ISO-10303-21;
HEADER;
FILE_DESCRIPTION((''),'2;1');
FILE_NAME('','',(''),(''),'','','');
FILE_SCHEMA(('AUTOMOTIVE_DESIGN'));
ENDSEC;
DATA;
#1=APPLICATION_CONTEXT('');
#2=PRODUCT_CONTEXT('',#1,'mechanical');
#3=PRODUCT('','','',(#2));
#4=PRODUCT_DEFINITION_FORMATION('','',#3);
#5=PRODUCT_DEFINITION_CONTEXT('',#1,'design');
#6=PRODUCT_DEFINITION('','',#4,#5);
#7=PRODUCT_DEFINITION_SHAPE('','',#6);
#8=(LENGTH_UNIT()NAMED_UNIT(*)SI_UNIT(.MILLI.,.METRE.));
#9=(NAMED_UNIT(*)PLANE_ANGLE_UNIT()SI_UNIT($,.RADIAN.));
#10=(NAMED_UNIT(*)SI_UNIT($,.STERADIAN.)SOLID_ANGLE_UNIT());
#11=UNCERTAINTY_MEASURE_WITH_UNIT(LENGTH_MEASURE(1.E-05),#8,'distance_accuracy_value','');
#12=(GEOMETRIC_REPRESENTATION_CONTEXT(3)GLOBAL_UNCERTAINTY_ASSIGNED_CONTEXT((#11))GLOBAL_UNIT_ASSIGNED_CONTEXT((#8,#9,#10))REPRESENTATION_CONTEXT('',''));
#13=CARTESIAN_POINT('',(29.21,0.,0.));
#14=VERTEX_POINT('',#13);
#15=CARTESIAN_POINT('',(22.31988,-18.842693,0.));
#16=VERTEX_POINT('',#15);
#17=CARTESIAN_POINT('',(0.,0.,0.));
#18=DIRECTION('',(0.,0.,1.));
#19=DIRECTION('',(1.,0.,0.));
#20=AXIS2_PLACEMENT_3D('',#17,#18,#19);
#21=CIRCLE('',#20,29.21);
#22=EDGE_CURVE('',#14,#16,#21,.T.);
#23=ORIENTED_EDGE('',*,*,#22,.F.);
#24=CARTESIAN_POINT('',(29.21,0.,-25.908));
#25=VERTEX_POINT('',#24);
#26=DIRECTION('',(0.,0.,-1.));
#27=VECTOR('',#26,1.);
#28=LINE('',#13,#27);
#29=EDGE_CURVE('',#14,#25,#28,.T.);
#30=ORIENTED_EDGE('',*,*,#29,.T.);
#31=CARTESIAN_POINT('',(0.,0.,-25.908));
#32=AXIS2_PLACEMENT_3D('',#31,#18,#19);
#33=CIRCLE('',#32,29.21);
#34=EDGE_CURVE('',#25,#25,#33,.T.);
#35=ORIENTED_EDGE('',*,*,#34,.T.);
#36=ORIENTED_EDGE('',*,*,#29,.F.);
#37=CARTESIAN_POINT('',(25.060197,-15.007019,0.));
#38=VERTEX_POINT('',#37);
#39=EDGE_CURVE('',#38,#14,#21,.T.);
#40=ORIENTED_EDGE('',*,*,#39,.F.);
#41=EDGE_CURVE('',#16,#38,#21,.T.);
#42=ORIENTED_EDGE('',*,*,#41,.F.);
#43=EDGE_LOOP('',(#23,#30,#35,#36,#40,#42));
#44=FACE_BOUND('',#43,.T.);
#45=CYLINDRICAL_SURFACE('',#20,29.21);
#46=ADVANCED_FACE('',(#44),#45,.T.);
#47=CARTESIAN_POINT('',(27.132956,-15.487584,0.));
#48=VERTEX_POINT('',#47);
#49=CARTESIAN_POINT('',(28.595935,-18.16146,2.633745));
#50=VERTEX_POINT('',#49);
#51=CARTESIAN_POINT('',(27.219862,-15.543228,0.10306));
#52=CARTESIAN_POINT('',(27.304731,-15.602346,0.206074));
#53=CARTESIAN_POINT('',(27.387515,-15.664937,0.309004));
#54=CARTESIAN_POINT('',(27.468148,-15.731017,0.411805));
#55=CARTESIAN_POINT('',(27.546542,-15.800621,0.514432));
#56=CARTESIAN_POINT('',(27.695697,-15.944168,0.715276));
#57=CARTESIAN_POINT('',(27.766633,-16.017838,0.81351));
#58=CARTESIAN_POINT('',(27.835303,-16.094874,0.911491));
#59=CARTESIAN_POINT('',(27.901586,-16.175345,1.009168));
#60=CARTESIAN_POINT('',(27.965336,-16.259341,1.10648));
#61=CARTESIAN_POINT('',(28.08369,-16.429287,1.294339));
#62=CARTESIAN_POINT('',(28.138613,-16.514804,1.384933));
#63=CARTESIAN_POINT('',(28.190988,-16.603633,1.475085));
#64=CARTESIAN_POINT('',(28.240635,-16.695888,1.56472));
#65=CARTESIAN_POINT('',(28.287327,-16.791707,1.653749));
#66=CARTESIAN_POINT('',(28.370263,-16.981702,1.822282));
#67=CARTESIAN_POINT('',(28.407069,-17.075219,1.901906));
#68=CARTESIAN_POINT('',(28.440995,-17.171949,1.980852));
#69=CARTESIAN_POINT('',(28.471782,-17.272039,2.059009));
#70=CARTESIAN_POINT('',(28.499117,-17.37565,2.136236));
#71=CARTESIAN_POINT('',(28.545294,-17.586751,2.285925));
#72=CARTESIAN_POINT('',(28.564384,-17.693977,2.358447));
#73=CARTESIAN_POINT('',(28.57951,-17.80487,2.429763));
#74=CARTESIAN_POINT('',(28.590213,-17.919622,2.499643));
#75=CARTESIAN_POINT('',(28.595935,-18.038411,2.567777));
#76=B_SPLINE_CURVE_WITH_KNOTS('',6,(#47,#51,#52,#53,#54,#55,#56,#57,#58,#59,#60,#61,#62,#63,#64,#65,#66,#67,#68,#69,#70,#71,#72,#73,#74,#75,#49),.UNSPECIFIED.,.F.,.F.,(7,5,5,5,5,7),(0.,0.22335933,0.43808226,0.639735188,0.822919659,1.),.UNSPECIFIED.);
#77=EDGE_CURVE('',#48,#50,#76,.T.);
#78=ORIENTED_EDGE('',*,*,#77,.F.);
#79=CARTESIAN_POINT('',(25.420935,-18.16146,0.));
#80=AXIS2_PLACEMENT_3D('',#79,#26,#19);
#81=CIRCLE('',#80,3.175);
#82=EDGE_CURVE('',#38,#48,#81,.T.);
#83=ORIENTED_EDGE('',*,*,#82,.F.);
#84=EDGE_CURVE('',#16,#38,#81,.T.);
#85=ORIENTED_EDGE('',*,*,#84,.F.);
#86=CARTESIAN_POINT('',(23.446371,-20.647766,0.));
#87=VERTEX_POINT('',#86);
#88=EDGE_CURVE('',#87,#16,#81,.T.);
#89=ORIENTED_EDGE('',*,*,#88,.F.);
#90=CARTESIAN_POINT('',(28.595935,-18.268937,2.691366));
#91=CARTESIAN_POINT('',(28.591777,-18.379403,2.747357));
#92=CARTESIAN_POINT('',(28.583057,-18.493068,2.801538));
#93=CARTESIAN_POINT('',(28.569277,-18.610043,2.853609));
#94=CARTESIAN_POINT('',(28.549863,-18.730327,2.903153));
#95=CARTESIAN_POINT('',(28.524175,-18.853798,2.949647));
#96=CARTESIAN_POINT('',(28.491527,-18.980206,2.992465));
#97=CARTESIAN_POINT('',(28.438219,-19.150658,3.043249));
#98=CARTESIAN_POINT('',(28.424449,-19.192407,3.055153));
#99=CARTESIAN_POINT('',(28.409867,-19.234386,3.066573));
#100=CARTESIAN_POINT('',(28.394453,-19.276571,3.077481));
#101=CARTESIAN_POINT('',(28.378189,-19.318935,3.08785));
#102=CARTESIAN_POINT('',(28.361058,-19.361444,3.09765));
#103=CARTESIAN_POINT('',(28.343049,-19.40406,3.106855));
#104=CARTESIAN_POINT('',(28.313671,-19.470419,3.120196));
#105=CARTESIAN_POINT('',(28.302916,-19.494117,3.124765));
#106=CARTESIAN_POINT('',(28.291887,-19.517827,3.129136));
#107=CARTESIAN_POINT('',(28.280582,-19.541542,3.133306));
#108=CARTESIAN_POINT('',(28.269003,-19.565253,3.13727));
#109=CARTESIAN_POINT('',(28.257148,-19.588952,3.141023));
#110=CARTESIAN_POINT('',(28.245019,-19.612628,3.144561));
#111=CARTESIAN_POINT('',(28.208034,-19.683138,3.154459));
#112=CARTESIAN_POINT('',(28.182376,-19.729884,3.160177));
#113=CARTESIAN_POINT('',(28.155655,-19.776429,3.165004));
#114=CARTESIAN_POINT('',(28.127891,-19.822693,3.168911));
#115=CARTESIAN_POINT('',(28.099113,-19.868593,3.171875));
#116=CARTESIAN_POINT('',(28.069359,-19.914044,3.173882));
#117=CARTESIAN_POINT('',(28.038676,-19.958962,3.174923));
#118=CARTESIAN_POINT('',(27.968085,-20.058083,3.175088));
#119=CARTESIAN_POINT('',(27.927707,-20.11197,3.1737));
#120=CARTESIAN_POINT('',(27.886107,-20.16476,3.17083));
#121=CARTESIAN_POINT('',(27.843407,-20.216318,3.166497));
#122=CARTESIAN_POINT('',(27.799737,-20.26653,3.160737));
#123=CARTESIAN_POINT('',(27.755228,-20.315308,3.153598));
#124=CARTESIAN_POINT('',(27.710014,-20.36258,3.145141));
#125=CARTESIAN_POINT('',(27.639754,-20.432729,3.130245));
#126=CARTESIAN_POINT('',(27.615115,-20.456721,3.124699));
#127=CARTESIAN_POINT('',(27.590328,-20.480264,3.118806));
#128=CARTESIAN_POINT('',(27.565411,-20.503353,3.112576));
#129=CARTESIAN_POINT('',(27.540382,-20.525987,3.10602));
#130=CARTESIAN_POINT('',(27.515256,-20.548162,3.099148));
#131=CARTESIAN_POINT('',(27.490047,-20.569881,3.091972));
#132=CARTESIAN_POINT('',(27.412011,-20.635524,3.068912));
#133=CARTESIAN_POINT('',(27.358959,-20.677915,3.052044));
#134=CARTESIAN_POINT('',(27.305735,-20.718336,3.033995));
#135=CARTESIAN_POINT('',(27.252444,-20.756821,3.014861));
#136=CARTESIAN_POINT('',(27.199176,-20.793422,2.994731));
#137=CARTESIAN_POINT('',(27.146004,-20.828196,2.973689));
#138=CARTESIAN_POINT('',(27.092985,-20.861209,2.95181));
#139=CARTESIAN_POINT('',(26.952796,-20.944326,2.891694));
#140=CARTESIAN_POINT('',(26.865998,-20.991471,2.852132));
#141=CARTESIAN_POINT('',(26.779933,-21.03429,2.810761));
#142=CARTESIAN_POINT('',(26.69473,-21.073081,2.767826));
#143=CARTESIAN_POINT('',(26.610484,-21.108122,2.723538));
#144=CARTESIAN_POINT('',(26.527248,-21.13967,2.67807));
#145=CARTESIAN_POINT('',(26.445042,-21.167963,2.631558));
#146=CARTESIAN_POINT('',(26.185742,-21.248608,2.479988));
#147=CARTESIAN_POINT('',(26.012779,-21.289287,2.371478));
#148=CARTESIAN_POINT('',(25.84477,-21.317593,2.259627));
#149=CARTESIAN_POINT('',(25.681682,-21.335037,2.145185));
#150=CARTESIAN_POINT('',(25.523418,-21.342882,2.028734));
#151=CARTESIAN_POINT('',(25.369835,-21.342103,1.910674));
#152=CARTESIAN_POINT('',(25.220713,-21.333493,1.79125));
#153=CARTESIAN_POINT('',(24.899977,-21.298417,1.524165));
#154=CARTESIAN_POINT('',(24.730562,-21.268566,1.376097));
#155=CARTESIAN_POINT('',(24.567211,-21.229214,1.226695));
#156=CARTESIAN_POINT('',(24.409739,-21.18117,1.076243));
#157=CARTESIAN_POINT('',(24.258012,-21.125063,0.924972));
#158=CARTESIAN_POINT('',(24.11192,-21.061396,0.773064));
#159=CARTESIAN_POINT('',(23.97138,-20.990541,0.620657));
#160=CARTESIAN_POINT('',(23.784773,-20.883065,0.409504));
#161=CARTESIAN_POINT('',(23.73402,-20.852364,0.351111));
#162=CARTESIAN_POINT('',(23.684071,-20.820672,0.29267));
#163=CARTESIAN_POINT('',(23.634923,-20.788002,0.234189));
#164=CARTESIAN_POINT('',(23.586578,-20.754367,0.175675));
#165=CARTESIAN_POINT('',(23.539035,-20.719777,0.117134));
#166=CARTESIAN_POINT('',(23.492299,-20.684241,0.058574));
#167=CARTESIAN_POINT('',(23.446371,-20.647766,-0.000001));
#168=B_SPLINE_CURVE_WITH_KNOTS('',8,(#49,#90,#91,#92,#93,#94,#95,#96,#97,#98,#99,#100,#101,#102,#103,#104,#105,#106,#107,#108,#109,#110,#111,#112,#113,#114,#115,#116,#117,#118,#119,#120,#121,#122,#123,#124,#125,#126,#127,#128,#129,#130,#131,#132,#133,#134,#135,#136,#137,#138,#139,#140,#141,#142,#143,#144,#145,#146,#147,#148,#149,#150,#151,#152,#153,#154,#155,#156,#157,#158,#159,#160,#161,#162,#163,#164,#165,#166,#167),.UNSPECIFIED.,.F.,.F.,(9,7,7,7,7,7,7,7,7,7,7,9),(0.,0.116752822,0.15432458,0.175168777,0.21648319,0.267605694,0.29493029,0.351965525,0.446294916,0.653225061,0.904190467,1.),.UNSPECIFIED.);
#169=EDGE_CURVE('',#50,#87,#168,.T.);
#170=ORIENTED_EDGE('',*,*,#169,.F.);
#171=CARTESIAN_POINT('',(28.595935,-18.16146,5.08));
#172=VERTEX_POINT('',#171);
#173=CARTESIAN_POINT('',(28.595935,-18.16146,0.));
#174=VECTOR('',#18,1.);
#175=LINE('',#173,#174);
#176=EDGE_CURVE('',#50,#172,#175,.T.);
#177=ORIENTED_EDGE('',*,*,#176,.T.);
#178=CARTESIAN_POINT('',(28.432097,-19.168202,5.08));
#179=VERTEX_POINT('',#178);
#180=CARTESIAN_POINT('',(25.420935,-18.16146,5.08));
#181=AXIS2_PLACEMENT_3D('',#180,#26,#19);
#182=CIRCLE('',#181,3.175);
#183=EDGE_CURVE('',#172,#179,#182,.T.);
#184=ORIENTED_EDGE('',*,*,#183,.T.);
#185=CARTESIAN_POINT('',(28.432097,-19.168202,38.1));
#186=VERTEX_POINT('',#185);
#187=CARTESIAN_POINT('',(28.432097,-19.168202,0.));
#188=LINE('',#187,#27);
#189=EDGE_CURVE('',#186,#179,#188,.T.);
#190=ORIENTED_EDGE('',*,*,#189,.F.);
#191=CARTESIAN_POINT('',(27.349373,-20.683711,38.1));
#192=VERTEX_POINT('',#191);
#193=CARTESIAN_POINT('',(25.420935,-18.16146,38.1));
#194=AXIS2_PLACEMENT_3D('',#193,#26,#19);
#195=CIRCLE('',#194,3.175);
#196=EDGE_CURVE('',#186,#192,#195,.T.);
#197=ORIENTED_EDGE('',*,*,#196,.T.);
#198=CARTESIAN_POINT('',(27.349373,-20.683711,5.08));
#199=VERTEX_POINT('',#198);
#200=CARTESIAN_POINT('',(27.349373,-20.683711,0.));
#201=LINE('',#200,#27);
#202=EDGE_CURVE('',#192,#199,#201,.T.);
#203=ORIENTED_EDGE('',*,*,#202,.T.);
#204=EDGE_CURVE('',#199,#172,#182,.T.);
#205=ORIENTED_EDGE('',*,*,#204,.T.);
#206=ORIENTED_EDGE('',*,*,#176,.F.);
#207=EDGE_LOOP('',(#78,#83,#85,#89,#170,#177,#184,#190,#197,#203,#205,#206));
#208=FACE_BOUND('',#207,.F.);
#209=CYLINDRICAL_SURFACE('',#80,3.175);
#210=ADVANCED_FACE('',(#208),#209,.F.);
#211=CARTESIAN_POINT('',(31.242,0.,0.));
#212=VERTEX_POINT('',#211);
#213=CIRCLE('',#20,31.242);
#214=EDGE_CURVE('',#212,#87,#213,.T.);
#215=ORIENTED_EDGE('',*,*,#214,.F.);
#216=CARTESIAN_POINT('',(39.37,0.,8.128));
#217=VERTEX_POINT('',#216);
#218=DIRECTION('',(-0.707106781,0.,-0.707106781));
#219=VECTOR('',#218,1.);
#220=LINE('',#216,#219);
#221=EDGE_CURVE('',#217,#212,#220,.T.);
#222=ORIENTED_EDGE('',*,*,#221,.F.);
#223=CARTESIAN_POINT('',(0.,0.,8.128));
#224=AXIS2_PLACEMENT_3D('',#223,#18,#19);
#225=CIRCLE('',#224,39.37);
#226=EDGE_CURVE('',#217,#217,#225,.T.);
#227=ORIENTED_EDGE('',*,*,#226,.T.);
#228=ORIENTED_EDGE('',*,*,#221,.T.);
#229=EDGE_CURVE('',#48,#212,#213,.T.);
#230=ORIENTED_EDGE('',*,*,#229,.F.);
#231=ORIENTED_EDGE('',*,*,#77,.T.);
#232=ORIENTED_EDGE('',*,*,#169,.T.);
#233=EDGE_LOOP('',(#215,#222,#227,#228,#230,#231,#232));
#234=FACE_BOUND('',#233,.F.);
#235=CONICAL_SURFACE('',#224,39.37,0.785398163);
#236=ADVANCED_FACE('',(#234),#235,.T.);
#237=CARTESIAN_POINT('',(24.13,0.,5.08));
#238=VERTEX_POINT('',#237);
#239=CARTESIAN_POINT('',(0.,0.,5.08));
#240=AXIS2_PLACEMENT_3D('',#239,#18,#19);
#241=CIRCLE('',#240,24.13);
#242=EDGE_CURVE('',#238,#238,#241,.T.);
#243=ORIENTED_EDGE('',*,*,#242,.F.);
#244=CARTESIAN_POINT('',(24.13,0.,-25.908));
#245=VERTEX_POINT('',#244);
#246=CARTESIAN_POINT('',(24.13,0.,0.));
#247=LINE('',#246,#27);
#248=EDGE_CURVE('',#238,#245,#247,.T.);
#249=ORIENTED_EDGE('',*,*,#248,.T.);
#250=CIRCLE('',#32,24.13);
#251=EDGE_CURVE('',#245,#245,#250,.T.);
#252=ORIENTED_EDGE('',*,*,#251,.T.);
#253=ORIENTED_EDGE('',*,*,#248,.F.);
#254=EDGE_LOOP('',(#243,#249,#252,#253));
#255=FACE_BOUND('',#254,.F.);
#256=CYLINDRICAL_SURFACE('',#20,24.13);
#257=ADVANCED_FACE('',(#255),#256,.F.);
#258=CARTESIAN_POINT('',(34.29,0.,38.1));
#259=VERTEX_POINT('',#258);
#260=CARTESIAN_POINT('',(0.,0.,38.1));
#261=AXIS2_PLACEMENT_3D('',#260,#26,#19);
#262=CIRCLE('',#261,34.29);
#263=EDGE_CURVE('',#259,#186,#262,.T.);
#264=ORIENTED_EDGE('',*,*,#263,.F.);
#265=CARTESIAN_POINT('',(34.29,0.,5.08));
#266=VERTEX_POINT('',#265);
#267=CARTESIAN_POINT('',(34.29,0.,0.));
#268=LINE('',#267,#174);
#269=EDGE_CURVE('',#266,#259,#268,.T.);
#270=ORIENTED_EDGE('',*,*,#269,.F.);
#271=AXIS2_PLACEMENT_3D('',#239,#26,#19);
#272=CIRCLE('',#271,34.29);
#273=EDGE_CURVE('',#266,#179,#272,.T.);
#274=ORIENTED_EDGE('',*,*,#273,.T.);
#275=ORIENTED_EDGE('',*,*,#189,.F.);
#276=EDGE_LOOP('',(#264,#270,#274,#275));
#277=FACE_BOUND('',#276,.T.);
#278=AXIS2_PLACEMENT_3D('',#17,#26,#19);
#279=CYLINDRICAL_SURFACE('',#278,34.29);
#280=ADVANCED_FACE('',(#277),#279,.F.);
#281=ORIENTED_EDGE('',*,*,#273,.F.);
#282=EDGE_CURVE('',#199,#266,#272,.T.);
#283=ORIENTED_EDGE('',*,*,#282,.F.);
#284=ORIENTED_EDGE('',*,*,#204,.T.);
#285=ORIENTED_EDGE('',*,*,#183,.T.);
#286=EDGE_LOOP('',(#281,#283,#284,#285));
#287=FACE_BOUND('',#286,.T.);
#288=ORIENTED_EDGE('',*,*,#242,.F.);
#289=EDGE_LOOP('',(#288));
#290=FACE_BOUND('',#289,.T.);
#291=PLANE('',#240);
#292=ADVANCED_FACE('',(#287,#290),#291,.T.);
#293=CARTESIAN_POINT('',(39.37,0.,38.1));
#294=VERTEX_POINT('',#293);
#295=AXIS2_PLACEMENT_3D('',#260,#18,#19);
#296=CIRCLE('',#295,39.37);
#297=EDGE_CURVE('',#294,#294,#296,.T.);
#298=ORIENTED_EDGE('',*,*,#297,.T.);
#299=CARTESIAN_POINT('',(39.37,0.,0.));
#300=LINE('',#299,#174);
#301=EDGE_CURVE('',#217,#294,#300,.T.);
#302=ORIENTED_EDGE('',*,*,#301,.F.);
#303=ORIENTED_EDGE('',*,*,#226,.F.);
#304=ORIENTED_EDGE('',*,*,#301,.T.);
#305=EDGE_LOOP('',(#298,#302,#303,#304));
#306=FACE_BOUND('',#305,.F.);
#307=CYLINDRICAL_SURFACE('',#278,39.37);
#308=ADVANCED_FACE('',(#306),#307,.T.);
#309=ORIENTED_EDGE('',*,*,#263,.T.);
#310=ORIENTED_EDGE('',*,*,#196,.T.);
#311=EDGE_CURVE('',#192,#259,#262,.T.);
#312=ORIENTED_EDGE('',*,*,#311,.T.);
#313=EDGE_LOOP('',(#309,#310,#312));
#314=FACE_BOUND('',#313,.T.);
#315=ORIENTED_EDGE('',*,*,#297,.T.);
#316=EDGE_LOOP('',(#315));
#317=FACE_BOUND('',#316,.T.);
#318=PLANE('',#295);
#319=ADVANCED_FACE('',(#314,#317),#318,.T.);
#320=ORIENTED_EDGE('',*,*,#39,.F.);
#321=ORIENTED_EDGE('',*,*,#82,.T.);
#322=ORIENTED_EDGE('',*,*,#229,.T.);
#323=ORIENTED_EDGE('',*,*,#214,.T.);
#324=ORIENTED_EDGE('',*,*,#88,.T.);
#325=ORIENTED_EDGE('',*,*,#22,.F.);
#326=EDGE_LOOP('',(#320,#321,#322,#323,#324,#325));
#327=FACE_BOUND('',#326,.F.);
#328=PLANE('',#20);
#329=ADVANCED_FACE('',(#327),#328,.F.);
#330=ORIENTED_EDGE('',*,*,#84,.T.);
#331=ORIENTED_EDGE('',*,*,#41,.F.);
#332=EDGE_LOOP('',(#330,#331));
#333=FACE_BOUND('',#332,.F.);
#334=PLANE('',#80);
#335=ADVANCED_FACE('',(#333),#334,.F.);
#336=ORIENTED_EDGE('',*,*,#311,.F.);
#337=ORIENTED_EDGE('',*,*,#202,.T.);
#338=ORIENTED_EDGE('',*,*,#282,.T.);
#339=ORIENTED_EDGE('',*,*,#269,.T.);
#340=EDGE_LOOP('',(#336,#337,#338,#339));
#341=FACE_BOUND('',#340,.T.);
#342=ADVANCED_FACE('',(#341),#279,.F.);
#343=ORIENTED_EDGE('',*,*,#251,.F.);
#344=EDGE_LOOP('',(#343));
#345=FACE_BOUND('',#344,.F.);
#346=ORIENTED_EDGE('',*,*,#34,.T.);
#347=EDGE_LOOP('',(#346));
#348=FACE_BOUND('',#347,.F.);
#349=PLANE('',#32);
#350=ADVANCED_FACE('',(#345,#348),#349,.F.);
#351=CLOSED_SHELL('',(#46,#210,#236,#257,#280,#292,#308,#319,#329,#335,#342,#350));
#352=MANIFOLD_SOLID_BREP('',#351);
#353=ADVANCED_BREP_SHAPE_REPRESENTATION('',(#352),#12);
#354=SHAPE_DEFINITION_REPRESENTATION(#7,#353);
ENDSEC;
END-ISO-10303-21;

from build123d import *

# Parameters (mm, degrees)
F0_R     = 29.21
F1_DEPTH = 25.908
F2_R     = 39.37
F3_DEPTH = 38.1
F4_T     = -5.08
F5_SIZE  = 8.128
F7_D     = 6.35
F7_DEPTH = 38.101


with BuildPart() as f1:
    # F0 (on Top) → F1 (new body)
    with BuildSketch(Plane.XY):
        Circle(F0_R)
    extrude(amount=-F1_DEPTH)

    # F2 (on Top) → F3 (join)
    with BuildSketch(Plane.XY):
        Circle(F2_R)
    extrude(amount=F3_DEPTH)

    # F4
    f4_openings = [f1.faces().sort_by_distance(p)[0] for p in [
        (0, 0, 38.1),
        (0, 0, -25.908),
    ]]
    offset(amount=F4_T, openings=f4_openings, kind=Kind.INTERSECTION)

    # F5
    f5_edges = [f1.edges().sort_by_distance(p)[0] for p in [
        (-39.37, 0, 0),
    ]]
    chamfer(f5_edges, length=F5_SIZE)

    # F7 (through all, one way)
    with BuildSketch(Plane(origin=(0, 0, 0), x_dir=(1, 0, 0), z_dir=(0, 0, -1))):
        with Locations((25.4209353007, 18.1614595349)):
            Circle(F7_D / 2)
    extrude(amount=-F7_DEPTH, mode=Mode.SUBTRACT)


solid = f1.part
